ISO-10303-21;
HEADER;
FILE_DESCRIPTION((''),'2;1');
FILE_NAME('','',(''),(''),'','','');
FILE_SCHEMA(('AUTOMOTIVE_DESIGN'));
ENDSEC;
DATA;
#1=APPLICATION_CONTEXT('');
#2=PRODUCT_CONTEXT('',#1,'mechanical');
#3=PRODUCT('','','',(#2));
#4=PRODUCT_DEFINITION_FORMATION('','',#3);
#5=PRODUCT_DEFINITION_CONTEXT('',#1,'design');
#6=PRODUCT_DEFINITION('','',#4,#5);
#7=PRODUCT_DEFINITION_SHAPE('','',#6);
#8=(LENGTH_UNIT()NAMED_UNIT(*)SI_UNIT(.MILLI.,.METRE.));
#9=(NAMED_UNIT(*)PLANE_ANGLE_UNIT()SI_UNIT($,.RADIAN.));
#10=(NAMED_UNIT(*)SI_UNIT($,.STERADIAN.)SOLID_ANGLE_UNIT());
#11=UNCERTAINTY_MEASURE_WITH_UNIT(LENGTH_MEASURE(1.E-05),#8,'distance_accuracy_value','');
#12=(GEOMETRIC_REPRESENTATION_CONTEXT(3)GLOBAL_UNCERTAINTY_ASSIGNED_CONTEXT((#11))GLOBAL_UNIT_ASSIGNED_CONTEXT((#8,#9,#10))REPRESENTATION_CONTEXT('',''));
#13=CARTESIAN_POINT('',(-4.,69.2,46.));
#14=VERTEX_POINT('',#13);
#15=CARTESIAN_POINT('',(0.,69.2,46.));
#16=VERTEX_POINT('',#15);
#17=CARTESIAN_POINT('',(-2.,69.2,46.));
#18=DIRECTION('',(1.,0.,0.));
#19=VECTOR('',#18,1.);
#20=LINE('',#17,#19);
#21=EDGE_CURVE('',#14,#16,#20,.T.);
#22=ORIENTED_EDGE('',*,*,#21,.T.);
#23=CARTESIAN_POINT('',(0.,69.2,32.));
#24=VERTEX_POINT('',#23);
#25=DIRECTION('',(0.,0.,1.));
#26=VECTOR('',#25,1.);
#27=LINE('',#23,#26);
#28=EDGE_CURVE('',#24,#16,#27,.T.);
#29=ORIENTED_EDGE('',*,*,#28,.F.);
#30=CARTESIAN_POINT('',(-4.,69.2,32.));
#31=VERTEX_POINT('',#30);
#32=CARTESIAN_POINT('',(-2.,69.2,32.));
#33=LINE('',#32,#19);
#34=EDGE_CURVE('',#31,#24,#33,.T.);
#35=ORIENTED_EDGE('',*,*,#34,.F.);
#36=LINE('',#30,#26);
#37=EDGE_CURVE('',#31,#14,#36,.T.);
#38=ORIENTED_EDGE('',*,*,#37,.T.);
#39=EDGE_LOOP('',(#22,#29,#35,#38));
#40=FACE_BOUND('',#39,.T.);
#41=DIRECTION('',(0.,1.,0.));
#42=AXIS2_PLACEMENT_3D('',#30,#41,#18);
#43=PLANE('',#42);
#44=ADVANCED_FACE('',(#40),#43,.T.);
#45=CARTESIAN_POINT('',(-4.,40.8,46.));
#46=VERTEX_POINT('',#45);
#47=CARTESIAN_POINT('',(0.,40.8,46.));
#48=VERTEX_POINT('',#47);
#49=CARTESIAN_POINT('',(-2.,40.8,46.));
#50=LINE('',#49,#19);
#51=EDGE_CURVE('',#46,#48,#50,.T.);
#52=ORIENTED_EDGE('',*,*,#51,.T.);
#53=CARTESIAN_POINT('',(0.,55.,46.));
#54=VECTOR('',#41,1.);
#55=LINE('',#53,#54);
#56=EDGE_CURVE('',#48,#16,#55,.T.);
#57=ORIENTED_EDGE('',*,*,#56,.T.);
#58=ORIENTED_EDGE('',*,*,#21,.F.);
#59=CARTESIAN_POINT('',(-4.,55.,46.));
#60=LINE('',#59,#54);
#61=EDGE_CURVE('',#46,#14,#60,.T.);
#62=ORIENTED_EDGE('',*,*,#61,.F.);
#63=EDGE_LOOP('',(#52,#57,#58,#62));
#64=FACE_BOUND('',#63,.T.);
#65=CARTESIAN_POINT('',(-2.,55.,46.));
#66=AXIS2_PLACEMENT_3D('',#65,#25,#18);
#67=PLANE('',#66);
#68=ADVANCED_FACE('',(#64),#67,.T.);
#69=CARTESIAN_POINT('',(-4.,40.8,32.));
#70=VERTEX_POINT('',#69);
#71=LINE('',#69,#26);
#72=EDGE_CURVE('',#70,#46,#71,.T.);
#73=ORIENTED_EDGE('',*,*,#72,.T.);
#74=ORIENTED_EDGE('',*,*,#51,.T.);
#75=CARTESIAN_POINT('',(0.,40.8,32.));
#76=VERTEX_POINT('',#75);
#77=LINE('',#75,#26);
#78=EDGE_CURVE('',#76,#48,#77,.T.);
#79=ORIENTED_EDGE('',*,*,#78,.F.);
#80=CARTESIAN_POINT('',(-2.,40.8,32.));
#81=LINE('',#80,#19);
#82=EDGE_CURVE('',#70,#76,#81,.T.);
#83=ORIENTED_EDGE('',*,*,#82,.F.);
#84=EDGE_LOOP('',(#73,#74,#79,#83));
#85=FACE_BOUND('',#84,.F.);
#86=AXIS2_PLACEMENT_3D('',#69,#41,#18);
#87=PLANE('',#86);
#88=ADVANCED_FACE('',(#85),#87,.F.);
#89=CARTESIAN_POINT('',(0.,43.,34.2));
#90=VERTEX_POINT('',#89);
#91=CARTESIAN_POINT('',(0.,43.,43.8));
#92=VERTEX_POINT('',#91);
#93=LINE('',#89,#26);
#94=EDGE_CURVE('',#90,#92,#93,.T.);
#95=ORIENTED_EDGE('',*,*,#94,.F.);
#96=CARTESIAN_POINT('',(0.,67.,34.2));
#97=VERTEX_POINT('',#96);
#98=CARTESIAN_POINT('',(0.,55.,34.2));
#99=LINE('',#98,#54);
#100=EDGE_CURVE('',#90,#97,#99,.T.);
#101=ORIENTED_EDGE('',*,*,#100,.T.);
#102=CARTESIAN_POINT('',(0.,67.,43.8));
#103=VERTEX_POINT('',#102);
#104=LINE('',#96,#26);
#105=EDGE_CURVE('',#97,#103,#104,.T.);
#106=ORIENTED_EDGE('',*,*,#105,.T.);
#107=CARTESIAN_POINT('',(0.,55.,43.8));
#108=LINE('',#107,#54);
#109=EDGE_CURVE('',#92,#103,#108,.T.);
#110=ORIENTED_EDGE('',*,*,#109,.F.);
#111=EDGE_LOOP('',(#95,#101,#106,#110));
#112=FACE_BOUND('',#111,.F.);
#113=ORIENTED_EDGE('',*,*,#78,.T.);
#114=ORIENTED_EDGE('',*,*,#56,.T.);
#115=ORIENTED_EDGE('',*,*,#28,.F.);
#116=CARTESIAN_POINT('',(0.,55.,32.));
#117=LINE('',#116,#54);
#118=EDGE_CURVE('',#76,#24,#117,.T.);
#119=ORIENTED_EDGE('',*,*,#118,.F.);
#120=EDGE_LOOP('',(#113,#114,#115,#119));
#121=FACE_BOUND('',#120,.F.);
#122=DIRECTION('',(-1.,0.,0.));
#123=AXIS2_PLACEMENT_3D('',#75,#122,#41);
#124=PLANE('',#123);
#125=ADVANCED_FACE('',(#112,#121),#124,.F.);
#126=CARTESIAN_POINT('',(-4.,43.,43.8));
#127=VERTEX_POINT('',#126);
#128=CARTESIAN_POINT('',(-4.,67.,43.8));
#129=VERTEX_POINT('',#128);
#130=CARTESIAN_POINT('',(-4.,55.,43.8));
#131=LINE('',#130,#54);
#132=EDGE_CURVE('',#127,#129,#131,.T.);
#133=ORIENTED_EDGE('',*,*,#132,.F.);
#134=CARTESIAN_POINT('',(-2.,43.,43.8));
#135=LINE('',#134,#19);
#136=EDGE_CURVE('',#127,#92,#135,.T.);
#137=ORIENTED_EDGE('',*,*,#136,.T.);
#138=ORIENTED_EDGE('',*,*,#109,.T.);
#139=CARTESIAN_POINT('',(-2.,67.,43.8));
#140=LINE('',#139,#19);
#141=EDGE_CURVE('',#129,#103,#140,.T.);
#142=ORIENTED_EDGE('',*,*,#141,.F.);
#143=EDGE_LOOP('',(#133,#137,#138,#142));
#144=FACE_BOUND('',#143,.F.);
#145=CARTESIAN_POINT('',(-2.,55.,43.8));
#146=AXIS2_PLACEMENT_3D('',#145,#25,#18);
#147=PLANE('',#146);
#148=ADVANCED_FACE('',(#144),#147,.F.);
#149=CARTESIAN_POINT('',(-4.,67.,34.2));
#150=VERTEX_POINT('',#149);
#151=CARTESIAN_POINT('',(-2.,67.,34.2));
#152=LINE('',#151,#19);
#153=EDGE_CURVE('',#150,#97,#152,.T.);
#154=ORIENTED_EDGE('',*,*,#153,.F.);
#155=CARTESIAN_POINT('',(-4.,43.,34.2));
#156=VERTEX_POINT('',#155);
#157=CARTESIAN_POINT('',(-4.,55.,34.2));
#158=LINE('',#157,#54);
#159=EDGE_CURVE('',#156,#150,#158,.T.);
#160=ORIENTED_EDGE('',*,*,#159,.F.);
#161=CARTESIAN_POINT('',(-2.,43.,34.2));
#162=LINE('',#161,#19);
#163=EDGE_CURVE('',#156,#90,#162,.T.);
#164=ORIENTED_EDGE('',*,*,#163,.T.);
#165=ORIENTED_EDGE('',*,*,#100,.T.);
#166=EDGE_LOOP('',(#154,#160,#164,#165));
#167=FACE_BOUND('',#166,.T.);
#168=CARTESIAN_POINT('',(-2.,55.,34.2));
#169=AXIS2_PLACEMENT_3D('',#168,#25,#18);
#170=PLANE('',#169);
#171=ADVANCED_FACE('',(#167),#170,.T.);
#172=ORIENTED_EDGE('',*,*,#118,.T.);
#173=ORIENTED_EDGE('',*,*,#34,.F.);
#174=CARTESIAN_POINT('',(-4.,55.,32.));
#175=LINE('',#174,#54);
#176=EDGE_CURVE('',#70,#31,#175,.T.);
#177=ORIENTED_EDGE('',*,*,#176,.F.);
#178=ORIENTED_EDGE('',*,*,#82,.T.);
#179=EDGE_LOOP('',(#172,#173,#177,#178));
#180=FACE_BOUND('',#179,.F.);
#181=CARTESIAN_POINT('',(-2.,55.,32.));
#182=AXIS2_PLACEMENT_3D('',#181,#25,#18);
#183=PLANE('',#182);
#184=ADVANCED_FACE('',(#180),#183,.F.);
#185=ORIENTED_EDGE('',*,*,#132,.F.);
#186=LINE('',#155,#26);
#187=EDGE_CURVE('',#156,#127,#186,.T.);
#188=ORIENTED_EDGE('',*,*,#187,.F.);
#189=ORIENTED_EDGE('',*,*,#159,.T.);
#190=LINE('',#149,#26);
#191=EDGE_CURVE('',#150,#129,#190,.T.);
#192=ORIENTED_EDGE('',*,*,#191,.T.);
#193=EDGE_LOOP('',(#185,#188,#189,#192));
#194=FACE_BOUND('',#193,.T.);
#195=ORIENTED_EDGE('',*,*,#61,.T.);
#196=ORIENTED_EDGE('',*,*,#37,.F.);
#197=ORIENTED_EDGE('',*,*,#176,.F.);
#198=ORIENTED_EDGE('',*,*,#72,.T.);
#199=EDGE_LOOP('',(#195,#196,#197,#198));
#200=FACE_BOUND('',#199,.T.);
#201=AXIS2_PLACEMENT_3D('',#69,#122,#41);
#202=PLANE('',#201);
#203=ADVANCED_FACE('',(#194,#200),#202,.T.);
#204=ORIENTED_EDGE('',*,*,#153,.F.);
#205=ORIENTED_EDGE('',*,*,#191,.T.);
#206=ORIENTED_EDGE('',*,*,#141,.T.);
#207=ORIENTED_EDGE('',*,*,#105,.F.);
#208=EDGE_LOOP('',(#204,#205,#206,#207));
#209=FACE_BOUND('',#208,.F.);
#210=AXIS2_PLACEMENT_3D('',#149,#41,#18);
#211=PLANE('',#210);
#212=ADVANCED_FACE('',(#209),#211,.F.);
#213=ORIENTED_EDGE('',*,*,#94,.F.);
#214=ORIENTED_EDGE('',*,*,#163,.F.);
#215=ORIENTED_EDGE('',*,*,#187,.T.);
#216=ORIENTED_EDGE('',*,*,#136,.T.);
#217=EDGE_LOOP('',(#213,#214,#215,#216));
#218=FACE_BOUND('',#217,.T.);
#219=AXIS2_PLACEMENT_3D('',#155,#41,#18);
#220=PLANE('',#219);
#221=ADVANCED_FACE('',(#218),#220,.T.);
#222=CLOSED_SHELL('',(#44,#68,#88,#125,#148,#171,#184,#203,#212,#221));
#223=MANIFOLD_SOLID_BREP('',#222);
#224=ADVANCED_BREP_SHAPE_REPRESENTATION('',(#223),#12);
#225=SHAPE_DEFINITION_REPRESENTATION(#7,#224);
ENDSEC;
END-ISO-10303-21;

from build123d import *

# Parameters (mm, degrees)
BOX058_W     = 4
BOX058_H     = 24
BOX058_DEPTH = 9.6
BOX057_W     = 4
BOX057_H     = 28.4
BOX057_DEPTH = 14


with BuildPart() as cube050:
    # Box058 → Box058 (new body)
    with BuildSketch(Plane(origin=(0, 2.2, 2.2), x_dir=(1, 0, 0), z_dir=(0, 0, 1))):
        with Locations((2, 12)):
            Rectangle(BOX058_W, BOX058_H)
    extrude(amount=BOX058_DEPTH)


with BuildPart() as ruecken_rohr:
    # Box057 → Box057 (new body)
    with BuildSketch(Plane.XY):
        with Locations((2, 14.2)):
            Rectangle(BOX057_W, BOX057_H)
    extrude(amount=BOX057_DEPTH)

    # Cut053: cut Cube050
    add(cube050.part, mode=Mode.SUBTRACT)


with BuildPart() as ruecken_rohr_1:
    # Cut053 placement: moved
    add(ruecken_rohr.part.moved(Location((-4, 40.8, 32))))


solid = ruecken_rohr_1.part
